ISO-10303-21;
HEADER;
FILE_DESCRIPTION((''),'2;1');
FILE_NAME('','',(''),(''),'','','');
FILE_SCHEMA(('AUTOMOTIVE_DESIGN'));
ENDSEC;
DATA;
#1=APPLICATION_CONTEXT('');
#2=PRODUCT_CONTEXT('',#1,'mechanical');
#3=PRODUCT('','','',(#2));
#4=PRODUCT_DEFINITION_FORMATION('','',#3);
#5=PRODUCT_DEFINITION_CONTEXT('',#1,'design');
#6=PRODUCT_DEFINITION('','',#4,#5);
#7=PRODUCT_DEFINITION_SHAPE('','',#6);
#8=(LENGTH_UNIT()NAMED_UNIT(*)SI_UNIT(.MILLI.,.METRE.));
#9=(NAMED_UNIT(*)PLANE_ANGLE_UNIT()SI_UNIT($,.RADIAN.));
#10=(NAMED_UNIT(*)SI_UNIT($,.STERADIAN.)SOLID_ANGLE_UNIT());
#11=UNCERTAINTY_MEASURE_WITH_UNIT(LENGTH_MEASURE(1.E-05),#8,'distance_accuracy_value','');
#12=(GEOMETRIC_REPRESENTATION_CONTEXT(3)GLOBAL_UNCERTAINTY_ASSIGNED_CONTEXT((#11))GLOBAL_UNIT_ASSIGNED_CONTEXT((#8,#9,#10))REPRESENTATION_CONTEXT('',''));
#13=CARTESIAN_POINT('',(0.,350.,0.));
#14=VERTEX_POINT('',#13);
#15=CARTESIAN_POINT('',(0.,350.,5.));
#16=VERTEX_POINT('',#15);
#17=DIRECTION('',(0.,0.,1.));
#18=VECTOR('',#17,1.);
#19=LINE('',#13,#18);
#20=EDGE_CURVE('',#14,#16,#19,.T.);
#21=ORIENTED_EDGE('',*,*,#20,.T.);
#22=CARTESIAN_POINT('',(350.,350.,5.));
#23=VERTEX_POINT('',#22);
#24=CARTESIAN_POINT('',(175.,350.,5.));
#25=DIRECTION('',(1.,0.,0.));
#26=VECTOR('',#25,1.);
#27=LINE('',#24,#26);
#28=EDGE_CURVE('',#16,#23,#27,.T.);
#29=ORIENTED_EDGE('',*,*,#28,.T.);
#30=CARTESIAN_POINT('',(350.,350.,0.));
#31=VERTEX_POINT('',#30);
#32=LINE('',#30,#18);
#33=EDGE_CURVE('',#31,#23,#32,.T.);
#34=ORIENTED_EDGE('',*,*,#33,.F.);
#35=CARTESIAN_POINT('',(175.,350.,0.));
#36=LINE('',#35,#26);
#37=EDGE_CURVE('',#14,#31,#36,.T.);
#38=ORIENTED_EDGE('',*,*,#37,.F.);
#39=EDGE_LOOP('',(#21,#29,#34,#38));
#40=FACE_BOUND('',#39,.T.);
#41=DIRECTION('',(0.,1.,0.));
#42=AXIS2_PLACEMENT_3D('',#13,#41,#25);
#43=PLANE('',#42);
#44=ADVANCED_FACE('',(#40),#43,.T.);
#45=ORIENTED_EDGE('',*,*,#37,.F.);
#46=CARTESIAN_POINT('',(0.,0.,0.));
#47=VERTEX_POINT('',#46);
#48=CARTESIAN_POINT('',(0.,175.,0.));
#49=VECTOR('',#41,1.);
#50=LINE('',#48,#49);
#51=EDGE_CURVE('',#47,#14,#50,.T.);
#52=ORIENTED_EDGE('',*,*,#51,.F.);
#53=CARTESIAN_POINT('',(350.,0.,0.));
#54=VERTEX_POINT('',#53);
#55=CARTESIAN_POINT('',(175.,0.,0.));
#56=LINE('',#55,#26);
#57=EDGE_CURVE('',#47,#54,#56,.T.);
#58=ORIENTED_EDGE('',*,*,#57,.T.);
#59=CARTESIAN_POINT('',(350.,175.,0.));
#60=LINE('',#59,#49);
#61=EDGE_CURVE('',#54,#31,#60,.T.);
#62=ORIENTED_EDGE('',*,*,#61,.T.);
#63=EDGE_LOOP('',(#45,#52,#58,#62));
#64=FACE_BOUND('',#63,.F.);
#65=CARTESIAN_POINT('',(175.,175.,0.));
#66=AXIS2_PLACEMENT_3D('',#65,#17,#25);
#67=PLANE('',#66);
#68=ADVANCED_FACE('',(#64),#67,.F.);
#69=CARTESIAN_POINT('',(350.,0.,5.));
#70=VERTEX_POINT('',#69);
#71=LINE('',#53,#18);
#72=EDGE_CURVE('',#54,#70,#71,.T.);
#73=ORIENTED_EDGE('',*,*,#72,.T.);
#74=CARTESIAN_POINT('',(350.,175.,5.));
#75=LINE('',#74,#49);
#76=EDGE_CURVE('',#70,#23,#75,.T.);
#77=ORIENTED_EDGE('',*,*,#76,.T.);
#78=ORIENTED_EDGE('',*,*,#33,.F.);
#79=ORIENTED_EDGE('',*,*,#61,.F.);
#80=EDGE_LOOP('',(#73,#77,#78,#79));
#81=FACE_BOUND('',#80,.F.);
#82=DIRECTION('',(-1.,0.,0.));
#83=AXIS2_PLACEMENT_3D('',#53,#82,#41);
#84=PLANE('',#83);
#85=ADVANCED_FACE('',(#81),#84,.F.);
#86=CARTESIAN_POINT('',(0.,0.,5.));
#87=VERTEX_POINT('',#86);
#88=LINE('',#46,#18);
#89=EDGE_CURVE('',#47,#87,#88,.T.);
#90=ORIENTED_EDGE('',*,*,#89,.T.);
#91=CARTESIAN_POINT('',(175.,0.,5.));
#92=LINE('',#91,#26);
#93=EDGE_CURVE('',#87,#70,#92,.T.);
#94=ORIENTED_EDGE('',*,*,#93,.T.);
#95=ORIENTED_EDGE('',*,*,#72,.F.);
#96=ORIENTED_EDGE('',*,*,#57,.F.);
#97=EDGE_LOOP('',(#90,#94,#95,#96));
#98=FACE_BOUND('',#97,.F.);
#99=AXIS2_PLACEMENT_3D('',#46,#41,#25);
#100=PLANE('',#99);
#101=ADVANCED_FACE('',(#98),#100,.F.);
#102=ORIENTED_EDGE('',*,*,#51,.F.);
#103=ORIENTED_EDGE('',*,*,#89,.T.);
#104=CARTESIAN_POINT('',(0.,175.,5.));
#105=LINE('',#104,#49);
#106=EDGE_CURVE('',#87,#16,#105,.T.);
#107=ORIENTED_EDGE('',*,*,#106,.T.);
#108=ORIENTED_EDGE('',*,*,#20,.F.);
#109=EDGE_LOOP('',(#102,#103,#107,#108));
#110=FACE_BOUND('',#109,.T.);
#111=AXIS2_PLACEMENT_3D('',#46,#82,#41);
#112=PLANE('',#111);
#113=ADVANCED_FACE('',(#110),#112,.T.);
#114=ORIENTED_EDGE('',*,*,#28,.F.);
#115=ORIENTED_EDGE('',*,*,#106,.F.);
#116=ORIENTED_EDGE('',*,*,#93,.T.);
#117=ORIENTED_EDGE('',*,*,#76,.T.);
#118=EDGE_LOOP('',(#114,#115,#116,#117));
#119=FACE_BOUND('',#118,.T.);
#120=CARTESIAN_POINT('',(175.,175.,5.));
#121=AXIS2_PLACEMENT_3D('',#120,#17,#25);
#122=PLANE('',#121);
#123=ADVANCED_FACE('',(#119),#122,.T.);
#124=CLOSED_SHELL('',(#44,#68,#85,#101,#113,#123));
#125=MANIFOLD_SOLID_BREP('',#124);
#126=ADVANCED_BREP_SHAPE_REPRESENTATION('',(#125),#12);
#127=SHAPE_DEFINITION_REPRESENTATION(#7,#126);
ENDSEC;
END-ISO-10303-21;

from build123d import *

# Parameters (mm, degrees)
BOX_W     = 350
BOX_H     = 350
BOX_DEPTH = 5


with BuildPart() as part:
    # Box → Box (new body)
    with BuildSketch(Plane.XY):
        with Locations((175, 175)):
            Rectangle(BOX_W, BOX_H)
    extrude(amount=BOX_DEPTH)


solid = part.part
